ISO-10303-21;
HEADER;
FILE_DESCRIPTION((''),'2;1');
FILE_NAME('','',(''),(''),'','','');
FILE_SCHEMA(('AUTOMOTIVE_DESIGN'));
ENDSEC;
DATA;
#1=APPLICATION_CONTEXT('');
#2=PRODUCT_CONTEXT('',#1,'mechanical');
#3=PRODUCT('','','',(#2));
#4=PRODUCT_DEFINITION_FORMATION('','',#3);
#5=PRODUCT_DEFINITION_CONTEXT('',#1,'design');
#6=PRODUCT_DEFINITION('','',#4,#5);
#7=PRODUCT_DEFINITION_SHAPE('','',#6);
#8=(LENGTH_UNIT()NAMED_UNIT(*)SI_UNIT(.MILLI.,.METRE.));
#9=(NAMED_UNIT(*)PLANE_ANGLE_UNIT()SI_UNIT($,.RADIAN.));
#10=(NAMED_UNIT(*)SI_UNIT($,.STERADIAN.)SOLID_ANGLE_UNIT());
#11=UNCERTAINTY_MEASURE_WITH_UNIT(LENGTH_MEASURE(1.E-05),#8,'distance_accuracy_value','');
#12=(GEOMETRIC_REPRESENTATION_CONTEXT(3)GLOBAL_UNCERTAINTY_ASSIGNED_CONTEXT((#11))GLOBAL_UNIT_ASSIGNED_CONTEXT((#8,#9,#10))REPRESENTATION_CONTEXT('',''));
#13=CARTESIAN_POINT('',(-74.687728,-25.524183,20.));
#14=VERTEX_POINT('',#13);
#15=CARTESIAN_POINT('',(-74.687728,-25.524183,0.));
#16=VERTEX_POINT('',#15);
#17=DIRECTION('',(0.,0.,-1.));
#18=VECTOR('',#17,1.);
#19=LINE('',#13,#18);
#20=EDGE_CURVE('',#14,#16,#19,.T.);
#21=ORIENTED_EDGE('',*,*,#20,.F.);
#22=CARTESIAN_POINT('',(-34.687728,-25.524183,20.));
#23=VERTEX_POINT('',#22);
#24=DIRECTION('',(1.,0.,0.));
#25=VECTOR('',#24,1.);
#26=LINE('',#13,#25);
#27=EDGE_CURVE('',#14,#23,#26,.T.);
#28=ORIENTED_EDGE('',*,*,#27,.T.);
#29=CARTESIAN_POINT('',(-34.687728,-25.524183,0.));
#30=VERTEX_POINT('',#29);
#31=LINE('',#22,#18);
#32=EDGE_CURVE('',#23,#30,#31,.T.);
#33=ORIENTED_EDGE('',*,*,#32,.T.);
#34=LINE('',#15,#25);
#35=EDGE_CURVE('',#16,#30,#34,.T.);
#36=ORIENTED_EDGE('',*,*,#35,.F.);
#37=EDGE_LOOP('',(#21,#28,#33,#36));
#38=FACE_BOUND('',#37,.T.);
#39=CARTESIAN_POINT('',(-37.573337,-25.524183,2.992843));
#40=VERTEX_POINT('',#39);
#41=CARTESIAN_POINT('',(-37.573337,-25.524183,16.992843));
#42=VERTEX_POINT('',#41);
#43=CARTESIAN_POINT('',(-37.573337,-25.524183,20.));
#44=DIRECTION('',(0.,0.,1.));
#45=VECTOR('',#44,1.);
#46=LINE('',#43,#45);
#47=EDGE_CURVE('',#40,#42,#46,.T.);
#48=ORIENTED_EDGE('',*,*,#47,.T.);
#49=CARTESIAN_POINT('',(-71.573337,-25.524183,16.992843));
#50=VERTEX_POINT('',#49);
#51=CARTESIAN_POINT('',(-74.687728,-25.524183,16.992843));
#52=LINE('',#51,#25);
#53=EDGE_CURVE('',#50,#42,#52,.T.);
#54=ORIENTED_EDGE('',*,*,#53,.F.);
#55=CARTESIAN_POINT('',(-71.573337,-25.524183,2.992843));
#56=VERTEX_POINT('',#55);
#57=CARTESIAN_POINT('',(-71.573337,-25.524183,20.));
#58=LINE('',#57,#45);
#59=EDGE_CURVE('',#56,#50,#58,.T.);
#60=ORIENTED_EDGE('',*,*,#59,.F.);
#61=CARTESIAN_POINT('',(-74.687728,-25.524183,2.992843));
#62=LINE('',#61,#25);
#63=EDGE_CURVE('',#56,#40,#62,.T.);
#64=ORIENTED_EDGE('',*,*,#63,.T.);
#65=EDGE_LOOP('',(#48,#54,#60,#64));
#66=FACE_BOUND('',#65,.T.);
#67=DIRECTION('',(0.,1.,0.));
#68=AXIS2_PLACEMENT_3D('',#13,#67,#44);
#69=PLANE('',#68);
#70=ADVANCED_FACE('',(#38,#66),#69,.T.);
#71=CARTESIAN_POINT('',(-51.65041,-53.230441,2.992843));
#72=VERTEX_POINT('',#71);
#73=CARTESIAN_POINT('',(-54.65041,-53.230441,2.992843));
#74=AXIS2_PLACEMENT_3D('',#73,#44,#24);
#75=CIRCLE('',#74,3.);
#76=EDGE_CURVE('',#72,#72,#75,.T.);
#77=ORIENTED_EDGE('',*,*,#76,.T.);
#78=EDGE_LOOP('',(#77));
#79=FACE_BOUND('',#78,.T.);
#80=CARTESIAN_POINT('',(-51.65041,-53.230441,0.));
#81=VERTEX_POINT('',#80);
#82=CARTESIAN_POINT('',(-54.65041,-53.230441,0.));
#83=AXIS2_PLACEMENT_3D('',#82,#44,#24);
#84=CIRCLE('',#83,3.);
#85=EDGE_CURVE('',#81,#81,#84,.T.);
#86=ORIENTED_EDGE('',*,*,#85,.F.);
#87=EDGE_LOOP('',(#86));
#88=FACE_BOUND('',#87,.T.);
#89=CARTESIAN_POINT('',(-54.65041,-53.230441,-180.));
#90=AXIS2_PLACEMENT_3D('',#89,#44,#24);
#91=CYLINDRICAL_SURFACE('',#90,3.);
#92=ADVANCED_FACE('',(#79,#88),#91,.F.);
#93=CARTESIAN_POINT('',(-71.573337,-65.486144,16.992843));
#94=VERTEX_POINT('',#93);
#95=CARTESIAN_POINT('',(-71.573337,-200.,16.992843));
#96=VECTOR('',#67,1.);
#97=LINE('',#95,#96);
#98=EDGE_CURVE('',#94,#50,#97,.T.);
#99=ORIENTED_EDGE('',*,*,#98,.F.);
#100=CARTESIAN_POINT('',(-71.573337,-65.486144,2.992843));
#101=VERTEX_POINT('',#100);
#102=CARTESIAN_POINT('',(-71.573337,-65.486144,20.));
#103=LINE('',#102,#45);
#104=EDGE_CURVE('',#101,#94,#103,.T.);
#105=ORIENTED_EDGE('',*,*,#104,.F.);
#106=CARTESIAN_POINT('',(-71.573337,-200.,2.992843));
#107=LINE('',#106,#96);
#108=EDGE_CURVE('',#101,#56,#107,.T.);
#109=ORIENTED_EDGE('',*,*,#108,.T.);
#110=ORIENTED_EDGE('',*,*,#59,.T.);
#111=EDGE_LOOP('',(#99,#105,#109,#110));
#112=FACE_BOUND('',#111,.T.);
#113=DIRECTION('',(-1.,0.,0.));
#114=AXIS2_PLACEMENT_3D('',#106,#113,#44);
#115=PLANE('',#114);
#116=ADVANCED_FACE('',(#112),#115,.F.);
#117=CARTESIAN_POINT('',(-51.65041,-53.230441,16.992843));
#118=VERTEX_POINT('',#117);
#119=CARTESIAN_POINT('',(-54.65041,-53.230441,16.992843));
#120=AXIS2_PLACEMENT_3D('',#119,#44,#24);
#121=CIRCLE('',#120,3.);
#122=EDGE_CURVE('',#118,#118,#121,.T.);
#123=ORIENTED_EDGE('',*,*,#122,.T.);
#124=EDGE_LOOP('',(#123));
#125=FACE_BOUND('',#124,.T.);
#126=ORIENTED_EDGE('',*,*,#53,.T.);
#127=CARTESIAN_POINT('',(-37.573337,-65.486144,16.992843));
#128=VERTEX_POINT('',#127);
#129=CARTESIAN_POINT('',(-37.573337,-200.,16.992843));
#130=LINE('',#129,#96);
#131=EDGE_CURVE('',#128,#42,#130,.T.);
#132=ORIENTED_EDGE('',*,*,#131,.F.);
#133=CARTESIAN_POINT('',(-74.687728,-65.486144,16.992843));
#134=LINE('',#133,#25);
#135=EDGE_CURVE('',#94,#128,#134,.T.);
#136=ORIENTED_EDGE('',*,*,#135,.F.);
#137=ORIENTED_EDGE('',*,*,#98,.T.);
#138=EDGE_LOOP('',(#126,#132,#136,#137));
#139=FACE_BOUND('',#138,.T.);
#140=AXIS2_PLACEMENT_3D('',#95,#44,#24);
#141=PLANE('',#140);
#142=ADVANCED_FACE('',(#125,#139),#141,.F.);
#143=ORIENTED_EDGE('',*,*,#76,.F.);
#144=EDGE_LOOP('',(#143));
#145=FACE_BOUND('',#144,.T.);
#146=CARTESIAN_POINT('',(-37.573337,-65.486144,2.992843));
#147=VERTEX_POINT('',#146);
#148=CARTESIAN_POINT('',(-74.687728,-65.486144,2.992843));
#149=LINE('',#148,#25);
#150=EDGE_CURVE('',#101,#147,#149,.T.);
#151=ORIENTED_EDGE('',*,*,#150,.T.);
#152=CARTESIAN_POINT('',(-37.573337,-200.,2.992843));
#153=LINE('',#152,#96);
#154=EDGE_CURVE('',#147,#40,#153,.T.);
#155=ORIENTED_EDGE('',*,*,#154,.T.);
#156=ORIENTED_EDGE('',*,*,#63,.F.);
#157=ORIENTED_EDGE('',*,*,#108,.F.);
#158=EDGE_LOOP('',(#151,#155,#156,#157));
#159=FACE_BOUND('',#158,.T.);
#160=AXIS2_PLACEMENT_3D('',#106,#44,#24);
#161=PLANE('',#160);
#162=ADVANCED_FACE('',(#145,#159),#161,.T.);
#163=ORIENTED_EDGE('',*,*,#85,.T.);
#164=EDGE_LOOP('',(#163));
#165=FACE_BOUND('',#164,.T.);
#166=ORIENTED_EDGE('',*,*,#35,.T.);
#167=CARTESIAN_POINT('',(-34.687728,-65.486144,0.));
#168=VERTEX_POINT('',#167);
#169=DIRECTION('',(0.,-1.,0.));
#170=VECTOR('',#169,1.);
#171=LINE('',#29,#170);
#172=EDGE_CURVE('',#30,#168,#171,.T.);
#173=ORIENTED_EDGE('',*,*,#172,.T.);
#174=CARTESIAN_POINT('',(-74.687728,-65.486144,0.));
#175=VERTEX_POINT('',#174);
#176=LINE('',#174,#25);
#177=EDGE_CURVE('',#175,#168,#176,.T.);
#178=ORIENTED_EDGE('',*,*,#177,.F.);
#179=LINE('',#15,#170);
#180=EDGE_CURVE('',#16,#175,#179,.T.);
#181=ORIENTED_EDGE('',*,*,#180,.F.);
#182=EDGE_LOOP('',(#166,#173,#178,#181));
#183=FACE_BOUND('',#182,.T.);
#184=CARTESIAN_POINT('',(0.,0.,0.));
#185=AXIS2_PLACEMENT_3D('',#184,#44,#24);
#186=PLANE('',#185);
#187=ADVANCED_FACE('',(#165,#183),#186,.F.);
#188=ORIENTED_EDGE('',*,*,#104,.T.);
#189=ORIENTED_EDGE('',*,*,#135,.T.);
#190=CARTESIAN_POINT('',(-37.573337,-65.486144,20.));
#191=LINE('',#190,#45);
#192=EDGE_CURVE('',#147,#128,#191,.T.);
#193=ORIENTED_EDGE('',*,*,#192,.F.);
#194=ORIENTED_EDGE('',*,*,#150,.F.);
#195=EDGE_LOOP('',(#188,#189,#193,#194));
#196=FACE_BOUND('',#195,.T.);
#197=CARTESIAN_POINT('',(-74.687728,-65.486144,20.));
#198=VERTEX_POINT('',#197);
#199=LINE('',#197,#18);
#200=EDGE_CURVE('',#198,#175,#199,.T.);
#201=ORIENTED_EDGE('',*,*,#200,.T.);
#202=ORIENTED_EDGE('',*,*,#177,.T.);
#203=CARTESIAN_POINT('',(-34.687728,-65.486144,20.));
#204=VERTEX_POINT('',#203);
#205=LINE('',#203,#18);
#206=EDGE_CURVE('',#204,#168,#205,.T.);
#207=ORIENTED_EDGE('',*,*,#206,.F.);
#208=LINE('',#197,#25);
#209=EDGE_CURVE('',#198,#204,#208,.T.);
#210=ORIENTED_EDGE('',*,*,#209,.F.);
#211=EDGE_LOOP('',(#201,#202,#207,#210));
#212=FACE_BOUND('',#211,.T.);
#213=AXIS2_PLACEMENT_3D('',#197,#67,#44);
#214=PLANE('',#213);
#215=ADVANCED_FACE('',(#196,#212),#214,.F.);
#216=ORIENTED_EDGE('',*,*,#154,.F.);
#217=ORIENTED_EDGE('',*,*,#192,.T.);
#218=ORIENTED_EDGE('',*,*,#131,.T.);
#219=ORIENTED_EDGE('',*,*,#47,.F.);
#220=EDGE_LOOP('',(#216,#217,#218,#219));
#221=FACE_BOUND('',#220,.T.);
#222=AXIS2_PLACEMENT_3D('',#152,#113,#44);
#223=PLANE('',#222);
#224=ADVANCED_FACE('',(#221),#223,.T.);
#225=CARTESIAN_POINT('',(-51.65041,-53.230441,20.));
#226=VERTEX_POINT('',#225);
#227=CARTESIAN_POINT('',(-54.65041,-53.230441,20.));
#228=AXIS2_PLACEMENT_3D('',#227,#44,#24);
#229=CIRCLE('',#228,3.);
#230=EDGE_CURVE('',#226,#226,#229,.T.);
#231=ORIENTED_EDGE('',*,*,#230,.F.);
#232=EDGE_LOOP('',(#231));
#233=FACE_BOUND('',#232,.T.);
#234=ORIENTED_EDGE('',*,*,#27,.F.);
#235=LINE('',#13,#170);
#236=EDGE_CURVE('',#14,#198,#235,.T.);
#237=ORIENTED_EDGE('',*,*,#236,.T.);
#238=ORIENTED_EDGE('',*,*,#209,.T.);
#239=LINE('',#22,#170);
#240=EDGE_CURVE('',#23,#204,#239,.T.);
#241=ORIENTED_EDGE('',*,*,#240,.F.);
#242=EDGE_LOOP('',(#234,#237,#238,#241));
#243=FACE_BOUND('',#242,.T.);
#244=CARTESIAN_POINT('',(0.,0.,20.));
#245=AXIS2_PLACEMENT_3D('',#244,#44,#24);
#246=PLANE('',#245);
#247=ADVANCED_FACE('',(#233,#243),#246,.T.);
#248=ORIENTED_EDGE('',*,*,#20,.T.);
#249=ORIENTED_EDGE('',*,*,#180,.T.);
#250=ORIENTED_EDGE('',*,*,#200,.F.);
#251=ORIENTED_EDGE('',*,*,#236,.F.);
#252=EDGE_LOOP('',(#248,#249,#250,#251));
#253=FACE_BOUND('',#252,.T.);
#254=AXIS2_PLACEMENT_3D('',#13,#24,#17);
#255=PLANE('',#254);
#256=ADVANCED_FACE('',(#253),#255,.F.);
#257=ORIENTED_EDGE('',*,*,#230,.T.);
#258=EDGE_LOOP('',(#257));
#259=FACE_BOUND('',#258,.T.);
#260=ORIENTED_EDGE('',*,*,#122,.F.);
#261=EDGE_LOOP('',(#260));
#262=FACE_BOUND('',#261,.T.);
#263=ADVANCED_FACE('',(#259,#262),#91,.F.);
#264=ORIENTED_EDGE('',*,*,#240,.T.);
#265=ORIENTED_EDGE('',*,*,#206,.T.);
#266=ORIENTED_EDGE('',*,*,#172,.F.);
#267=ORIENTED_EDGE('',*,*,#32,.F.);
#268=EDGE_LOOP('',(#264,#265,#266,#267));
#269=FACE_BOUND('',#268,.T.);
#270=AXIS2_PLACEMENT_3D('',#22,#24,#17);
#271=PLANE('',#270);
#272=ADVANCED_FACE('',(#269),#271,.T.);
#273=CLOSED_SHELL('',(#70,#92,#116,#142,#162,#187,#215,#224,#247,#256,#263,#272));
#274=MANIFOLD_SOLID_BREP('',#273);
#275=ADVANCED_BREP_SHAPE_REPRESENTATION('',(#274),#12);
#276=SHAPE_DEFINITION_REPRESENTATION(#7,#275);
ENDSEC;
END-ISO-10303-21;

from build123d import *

# Parameters (mm, degrees)
SKETCH1_W           = 40
SKETCH1_H           = 39.961960623
BOSS_EXTRUDE1_DEPTH = 20
SKETCH2_W           = 34
SKETCH2_H           = 14
CUT_EXTRUDE8_DEPTH  = 200
SKETCH11_R          = 3
CUT_EXTRUDE9_DEPTH  = 200


with BuildPart() as part:
    # Sketch1 → Boss-Extrude1 (new body)
    with BuildSketch(Plane.XY):
        with Locations((-54.687727825, -45.505163644)):
            Rectangle(SKETCH1_W, SKETCH1_H)
    extrude(amount=BOSS_EXTRUDE1_DEPTH)

    # Sketch2 → Cut-Extrude8 (cut)
    with BuildSketch(Plane(origin=(0, 0, 0), x_dir=(1, 0, 0), z_dir=(0, 1, 0))):
        with Locations((-54.573337213, -9.992843295)):
            Rectangle(SKETCH2_W, SKETCH2_H)
    extrude(amount=-CUT_EXTRUDE8_DEPTH, mode=Mode.SUBTRACT)

    # Sketch11 → Cut-Extrude9 (cut)
    with BuildSketch(Plane.XY.offset(20)):
        with Locations((-54.650409989, -53.230441293)):
            Circle(SKETCH11_R)
    extrude(amount=-CUT_EXTRUDE9_DEPTH, mode=Mode.SUBTRACT)


solid = part.part
